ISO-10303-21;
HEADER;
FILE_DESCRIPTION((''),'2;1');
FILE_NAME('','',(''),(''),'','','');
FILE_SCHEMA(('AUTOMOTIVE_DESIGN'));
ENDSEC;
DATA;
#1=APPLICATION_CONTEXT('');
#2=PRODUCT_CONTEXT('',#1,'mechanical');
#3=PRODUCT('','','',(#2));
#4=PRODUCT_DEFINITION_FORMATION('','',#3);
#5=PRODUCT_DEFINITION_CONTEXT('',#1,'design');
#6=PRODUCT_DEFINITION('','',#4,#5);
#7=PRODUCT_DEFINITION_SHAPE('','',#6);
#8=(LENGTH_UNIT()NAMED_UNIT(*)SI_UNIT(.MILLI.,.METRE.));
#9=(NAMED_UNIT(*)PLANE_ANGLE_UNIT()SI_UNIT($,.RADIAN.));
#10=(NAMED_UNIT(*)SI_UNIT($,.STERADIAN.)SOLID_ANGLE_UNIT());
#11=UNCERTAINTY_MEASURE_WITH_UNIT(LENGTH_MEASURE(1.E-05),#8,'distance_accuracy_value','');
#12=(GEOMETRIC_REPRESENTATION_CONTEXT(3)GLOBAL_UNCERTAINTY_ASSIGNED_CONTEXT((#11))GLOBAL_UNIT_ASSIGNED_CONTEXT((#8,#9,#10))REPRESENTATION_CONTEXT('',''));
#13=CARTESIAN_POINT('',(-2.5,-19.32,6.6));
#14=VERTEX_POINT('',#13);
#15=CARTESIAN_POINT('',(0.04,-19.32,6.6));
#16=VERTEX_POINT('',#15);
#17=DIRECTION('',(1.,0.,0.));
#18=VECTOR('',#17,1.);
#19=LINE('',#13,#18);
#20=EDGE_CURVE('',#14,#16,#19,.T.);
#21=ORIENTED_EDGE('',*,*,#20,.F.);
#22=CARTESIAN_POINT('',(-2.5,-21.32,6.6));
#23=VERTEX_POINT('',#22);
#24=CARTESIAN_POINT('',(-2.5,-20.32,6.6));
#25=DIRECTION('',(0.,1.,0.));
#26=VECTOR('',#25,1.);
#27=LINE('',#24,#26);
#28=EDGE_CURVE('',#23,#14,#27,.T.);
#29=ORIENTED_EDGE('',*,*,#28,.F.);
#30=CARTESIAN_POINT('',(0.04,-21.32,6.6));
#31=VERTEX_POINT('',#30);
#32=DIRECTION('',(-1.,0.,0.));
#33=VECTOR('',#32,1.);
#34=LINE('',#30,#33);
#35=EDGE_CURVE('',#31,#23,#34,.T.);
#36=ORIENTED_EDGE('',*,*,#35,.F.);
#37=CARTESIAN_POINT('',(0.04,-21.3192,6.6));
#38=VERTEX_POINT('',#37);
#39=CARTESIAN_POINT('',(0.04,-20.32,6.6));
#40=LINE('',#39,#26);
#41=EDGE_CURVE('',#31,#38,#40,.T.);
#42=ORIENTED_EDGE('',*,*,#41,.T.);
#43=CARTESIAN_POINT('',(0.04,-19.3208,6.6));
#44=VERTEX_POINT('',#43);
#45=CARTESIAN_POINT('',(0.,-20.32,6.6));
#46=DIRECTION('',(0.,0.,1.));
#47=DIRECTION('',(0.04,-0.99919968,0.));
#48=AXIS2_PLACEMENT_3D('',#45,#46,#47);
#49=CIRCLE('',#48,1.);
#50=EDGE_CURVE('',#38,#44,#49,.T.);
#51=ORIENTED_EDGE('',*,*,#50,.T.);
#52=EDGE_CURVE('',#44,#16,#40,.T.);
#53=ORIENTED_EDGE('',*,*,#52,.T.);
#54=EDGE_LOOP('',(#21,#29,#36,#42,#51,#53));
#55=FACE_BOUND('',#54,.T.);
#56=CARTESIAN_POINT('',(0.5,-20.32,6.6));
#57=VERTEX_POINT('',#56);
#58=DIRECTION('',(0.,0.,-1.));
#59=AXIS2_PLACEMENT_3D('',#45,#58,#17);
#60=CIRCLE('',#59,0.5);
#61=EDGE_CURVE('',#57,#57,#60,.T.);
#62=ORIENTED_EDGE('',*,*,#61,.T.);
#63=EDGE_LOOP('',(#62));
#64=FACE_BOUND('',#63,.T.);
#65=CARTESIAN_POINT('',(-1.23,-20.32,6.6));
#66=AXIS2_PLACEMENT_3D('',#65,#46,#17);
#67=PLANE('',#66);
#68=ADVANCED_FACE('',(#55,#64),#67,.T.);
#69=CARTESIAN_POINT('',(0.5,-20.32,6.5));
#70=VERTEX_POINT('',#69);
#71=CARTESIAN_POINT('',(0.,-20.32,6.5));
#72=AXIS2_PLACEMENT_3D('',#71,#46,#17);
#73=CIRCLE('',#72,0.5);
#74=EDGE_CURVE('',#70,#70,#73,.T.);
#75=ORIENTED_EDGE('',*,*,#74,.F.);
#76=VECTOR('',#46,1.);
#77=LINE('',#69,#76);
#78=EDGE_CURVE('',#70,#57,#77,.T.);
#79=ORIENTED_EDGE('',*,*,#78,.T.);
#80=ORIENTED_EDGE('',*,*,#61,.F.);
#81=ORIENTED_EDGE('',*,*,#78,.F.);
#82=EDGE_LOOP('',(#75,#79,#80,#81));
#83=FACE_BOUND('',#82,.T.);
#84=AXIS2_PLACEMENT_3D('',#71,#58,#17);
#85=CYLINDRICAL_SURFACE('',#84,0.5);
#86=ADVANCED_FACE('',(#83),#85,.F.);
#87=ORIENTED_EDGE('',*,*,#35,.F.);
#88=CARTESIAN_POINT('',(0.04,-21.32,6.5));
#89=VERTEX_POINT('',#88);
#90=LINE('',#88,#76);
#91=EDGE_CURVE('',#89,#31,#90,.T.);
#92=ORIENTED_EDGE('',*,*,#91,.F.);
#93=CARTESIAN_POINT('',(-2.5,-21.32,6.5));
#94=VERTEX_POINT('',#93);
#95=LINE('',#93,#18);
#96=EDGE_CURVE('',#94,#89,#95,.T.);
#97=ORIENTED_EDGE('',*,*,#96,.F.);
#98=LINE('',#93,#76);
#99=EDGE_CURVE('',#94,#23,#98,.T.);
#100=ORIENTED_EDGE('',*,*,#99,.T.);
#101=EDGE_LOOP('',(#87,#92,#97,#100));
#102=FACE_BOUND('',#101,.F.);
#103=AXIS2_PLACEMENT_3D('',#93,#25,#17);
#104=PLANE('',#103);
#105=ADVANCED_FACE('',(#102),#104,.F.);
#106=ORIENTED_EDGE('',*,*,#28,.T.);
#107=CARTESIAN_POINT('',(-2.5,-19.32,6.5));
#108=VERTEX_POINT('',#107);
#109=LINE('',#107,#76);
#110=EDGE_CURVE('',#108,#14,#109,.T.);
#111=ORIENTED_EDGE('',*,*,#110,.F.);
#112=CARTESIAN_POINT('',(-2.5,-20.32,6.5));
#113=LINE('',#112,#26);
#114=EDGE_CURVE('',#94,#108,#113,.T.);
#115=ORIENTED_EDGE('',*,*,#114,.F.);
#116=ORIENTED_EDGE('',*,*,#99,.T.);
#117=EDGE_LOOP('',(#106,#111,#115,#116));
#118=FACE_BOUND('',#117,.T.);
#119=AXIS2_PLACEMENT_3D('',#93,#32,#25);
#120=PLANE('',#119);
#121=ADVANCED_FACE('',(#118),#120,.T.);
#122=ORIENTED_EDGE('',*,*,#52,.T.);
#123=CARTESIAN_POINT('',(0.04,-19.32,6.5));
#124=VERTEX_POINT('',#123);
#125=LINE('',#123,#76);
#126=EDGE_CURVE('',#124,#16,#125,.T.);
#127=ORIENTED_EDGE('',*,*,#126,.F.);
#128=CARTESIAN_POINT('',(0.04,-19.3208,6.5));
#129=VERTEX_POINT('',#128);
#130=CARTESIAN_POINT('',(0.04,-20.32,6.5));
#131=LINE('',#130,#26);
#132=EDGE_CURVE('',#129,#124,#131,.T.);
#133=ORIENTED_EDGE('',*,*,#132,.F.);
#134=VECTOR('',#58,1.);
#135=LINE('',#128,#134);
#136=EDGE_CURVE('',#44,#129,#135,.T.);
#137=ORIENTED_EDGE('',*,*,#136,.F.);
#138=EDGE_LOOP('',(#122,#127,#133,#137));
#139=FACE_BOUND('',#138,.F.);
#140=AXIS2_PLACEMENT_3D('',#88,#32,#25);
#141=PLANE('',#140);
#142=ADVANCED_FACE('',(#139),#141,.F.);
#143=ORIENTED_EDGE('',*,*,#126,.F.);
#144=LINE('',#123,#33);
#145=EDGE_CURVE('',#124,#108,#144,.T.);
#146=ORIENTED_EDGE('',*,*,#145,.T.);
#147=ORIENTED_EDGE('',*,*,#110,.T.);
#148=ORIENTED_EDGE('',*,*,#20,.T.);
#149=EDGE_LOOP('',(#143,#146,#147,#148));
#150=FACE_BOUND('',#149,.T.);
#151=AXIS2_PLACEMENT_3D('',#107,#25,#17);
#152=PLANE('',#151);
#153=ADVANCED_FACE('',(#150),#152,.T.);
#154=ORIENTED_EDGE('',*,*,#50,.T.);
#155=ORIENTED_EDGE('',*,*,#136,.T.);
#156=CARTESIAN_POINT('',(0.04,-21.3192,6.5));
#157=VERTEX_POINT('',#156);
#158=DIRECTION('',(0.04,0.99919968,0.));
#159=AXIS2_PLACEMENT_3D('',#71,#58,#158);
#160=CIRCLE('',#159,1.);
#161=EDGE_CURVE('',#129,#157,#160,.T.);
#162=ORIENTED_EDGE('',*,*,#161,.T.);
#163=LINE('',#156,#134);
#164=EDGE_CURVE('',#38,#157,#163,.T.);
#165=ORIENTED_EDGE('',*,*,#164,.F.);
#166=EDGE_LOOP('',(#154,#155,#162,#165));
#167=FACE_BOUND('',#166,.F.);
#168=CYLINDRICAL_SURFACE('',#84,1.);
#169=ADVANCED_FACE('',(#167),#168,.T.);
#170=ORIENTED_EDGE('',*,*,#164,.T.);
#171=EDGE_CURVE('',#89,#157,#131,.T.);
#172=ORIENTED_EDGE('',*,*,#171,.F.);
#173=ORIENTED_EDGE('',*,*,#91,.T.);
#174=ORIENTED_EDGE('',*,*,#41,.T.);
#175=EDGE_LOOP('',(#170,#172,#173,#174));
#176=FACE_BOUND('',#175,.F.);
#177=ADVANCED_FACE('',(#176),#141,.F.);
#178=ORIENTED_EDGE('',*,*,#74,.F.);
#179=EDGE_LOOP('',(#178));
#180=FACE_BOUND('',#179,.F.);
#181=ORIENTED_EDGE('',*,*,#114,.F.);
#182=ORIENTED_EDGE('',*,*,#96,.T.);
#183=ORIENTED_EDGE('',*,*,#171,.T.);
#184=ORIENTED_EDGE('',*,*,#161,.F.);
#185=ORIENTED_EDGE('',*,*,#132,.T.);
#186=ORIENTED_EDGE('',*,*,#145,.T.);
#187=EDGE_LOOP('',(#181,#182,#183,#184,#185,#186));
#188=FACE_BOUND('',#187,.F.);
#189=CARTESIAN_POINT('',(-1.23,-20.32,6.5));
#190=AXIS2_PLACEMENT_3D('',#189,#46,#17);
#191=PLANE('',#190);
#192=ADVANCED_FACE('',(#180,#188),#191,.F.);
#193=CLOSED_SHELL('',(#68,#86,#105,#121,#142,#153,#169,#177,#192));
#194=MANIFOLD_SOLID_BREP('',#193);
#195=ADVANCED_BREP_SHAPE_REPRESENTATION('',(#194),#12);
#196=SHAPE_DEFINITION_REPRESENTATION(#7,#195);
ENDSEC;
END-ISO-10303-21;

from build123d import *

# Parameters (mm, degrees)
CYLINDER026_R     = 0.5
CYLINDER026_DEPTH = 0.1
BOX011_W          = 2.54
BOX011_H          = 2
BOX011_DEPTH      = 0.1
CYLINDER025_R     = 0.5
CYLINDER025_DEPTH = 0.1
CYLINDER024_R     = 1
CYLINDER024_DEPTH = 0.1


with BuildPart() as cylinder026:
    # Cylinder026 → Cylinder026 (new body)
    with BuildSketch(Plane.XY.offset(1)):
        Circle(CYLINDER026_R)
    extrude(amount=CYLINDER026_DEPTH)


with BuildPart() as cut018:
    # Box011 → Box011 (new body)
    with BuildSketch(Plane(origin=(-2.5, -1, 1), x_dir=(1, 0, 0), z_dir=(0, 0, 1))):
        with Locations((1.27, 1)):
            Rectangle(BOX011_W, BOX011_H)
    extrude(amount=BOX011_DEPTH)

    # Cut018: cut Cylinder026
    add(cylinder026.part, mode=Mode.SUBTRACT)


with BuildPart() as cylinder025:
    # Cylinder025 → Cylinder025 (new body)
    with BuildSketch(Plane.XY.offset(1)):
        Circle(CYLINDER025_R)
    extrude(amount=CYLINDER025_DEPTH)


with BuildPart() as fusion008:
    # Cylinder024 → Cylinder024 (new body)
    with BuildSketch(Plane.XY.offset(1)):
        Circle(CYLINDER024_R)
    extrude(amount=CYLINDER024_DEPTH)

    # Cut017: cut Cylinder025
    add(cylinder025.part, mode=Mode.SUBTRACT)

    # Fusion008: union Cut018
    add(cut018.part)


with BuildPart() as fusion008_1:
    # Fusion008 placement: moved
    add(fusion008.part.moved(Location((0, -20.32, 5.5))))


solid = fusion008_1.part
